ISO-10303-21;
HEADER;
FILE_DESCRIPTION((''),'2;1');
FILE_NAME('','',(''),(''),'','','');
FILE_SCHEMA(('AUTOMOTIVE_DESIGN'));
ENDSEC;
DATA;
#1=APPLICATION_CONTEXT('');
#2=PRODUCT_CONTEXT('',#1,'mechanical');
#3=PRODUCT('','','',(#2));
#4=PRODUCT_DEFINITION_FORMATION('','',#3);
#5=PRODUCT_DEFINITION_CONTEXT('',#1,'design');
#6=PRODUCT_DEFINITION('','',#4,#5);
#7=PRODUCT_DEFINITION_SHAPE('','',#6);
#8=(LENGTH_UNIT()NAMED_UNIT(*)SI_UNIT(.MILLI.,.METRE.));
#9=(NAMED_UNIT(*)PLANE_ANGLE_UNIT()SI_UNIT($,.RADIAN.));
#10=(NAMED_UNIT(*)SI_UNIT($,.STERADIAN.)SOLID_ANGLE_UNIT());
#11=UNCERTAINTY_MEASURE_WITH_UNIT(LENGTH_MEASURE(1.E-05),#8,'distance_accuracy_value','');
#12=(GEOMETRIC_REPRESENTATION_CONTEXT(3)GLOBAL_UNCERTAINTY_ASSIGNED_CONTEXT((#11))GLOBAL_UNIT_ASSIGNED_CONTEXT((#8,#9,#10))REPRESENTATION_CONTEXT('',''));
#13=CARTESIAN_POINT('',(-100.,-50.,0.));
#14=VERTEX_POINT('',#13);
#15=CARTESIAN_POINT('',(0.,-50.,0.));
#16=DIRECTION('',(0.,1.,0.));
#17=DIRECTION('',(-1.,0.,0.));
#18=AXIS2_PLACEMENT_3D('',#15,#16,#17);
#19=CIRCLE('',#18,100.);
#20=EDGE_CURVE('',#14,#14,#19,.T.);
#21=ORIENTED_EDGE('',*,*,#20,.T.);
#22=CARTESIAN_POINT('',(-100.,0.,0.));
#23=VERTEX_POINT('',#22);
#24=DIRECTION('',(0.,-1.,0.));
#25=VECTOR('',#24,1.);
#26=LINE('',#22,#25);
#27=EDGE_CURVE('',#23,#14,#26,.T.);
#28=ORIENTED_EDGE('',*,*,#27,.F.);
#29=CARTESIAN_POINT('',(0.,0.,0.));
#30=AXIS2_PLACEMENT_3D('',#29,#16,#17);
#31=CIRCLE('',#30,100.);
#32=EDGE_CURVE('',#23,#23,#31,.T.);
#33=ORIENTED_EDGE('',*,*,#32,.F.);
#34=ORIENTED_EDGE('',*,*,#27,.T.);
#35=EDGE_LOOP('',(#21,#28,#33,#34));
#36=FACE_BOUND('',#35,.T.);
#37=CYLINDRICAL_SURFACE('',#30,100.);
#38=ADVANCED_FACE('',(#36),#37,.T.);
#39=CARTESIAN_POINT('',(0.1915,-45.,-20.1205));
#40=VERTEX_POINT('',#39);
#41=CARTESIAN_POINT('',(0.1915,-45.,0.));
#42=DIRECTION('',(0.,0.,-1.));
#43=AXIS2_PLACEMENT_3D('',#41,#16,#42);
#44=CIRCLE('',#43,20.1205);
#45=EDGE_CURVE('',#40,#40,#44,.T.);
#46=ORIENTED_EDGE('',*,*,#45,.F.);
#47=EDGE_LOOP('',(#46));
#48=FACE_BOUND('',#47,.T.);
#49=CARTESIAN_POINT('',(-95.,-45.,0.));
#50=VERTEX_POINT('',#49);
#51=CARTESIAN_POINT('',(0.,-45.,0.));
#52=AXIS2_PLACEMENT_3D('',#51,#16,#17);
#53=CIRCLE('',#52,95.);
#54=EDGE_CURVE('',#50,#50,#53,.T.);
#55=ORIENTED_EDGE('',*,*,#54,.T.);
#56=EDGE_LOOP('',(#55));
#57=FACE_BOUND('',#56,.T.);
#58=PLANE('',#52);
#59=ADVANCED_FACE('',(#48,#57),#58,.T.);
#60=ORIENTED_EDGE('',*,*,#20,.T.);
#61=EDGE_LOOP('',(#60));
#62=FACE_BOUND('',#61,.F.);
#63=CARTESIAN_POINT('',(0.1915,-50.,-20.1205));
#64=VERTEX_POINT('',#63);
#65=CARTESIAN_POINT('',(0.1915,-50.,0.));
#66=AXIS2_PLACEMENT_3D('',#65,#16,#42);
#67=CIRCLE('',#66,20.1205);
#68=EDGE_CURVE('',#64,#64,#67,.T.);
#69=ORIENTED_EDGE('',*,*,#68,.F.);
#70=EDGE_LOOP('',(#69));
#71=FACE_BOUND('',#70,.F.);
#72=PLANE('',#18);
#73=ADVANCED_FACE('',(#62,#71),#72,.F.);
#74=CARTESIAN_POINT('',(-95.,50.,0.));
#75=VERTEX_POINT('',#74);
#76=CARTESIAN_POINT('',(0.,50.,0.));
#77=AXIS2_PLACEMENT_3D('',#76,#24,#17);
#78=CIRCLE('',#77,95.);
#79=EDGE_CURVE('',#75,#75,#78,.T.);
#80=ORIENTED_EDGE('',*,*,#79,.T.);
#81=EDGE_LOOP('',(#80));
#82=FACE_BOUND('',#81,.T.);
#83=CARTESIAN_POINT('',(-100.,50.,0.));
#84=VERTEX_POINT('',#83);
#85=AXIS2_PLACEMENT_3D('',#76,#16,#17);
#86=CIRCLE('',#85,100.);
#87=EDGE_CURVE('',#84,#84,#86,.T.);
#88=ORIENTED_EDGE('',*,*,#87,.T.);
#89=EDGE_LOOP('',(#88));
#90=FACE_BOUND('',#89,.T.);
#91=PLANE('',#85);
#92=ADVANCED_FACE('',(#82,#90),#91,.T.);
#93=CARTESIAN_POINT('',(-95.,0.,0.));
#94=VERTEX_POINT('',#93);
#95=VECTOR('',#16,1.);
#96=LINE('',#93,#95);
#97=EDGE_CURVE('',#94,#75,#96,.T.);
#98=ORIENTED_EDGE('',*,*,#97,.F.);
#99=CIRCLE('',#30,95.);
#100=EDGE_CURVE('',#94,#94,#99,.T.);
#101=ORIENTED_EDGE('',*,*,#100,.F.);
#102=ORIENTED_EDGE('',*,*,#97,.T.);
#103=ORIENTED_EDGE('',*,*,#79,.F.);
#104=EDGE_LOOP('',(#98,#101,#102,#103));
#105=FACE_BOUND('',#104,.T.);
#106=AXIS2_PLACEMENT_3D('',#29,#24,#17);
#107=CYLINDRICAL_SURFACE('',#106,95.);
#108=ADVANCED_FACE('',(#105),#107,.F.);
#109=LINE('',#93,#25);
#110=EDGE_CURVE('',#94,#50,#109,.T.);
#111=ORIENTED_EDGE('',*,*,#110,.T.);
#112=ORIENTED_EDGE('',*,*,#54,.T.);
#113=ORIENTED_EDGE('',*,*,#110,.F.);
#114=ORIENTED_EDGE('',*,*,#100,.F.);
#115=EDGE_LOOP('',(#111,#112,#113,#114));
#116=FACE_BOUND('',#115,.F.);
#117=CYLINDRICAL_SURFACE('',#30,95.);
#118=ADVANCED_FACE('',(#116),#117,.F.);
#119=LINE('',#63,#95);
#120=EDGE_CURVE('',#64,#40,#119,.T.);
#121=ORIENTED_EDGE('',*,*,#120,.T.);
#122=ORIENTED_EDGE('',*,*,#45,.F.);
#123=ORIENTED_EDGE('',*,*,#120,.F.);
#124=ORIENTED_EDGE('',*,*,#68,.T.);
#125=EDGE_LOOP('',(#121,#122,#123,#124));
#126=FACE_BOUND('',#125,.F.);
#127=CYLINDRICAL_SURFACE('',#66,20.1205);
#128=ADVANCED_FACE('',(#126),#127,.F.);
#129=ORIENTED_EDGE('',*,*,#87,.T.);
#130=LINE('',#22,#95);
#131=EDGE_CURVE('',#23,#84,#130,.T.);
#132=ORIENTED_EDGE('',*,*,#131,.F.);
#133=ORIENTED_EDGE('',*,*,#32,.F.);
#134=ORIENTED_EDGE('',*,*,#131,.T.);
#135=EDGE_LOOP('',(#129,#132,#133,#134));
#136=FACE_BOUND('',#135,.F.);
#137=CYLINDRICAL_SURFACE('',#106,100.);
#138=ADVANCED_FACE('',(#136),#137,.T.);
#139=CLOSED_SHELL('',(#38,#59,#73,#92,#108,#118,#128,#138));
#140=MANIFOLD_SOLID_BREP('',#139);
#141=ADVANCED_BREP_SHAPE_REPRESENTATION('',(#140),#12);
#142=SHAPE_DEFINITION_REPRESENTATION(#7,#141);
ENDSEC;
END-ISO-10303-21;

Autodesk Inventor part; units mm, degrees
ref_plane "YZ Plane" through (0, 0, 0) normal (1, 0, 0) x (0, 1, 0)
ref_plane "XZ Plane" through (0, 0, 0) normal (0, 1, 0) x (-1, 0, 0)
ref_plane "XY Plane" through (0, 0, 0) normal (0, 0, 1) x (1, 0, 0)
sketch "Boceto1" plane through (0, 0, 0) normal (0, 1, 0) x (-1, 0, 0)
  circle A0 centre (0, 0) radius 100
  dimension "d0" = 200
extrude "Extrusión1" add sketch "Boceto1" along normal mid plane 100
shell "Vaciado1" thickness 5 removed faces 1 at (-44.3571, 50, 16.5389)
sketch "Boceto2" plane through (0, -50, 0) normal (0, -1, 0) x (1, 0, 0)
  point P0 (0, 0)
  point P1 (0.1915, 0)
hole "Agujero1" at (0.1915, -50, 0) direction (0, 1, 0) diameter 40.241 end through all
properties part number "base redonda"
